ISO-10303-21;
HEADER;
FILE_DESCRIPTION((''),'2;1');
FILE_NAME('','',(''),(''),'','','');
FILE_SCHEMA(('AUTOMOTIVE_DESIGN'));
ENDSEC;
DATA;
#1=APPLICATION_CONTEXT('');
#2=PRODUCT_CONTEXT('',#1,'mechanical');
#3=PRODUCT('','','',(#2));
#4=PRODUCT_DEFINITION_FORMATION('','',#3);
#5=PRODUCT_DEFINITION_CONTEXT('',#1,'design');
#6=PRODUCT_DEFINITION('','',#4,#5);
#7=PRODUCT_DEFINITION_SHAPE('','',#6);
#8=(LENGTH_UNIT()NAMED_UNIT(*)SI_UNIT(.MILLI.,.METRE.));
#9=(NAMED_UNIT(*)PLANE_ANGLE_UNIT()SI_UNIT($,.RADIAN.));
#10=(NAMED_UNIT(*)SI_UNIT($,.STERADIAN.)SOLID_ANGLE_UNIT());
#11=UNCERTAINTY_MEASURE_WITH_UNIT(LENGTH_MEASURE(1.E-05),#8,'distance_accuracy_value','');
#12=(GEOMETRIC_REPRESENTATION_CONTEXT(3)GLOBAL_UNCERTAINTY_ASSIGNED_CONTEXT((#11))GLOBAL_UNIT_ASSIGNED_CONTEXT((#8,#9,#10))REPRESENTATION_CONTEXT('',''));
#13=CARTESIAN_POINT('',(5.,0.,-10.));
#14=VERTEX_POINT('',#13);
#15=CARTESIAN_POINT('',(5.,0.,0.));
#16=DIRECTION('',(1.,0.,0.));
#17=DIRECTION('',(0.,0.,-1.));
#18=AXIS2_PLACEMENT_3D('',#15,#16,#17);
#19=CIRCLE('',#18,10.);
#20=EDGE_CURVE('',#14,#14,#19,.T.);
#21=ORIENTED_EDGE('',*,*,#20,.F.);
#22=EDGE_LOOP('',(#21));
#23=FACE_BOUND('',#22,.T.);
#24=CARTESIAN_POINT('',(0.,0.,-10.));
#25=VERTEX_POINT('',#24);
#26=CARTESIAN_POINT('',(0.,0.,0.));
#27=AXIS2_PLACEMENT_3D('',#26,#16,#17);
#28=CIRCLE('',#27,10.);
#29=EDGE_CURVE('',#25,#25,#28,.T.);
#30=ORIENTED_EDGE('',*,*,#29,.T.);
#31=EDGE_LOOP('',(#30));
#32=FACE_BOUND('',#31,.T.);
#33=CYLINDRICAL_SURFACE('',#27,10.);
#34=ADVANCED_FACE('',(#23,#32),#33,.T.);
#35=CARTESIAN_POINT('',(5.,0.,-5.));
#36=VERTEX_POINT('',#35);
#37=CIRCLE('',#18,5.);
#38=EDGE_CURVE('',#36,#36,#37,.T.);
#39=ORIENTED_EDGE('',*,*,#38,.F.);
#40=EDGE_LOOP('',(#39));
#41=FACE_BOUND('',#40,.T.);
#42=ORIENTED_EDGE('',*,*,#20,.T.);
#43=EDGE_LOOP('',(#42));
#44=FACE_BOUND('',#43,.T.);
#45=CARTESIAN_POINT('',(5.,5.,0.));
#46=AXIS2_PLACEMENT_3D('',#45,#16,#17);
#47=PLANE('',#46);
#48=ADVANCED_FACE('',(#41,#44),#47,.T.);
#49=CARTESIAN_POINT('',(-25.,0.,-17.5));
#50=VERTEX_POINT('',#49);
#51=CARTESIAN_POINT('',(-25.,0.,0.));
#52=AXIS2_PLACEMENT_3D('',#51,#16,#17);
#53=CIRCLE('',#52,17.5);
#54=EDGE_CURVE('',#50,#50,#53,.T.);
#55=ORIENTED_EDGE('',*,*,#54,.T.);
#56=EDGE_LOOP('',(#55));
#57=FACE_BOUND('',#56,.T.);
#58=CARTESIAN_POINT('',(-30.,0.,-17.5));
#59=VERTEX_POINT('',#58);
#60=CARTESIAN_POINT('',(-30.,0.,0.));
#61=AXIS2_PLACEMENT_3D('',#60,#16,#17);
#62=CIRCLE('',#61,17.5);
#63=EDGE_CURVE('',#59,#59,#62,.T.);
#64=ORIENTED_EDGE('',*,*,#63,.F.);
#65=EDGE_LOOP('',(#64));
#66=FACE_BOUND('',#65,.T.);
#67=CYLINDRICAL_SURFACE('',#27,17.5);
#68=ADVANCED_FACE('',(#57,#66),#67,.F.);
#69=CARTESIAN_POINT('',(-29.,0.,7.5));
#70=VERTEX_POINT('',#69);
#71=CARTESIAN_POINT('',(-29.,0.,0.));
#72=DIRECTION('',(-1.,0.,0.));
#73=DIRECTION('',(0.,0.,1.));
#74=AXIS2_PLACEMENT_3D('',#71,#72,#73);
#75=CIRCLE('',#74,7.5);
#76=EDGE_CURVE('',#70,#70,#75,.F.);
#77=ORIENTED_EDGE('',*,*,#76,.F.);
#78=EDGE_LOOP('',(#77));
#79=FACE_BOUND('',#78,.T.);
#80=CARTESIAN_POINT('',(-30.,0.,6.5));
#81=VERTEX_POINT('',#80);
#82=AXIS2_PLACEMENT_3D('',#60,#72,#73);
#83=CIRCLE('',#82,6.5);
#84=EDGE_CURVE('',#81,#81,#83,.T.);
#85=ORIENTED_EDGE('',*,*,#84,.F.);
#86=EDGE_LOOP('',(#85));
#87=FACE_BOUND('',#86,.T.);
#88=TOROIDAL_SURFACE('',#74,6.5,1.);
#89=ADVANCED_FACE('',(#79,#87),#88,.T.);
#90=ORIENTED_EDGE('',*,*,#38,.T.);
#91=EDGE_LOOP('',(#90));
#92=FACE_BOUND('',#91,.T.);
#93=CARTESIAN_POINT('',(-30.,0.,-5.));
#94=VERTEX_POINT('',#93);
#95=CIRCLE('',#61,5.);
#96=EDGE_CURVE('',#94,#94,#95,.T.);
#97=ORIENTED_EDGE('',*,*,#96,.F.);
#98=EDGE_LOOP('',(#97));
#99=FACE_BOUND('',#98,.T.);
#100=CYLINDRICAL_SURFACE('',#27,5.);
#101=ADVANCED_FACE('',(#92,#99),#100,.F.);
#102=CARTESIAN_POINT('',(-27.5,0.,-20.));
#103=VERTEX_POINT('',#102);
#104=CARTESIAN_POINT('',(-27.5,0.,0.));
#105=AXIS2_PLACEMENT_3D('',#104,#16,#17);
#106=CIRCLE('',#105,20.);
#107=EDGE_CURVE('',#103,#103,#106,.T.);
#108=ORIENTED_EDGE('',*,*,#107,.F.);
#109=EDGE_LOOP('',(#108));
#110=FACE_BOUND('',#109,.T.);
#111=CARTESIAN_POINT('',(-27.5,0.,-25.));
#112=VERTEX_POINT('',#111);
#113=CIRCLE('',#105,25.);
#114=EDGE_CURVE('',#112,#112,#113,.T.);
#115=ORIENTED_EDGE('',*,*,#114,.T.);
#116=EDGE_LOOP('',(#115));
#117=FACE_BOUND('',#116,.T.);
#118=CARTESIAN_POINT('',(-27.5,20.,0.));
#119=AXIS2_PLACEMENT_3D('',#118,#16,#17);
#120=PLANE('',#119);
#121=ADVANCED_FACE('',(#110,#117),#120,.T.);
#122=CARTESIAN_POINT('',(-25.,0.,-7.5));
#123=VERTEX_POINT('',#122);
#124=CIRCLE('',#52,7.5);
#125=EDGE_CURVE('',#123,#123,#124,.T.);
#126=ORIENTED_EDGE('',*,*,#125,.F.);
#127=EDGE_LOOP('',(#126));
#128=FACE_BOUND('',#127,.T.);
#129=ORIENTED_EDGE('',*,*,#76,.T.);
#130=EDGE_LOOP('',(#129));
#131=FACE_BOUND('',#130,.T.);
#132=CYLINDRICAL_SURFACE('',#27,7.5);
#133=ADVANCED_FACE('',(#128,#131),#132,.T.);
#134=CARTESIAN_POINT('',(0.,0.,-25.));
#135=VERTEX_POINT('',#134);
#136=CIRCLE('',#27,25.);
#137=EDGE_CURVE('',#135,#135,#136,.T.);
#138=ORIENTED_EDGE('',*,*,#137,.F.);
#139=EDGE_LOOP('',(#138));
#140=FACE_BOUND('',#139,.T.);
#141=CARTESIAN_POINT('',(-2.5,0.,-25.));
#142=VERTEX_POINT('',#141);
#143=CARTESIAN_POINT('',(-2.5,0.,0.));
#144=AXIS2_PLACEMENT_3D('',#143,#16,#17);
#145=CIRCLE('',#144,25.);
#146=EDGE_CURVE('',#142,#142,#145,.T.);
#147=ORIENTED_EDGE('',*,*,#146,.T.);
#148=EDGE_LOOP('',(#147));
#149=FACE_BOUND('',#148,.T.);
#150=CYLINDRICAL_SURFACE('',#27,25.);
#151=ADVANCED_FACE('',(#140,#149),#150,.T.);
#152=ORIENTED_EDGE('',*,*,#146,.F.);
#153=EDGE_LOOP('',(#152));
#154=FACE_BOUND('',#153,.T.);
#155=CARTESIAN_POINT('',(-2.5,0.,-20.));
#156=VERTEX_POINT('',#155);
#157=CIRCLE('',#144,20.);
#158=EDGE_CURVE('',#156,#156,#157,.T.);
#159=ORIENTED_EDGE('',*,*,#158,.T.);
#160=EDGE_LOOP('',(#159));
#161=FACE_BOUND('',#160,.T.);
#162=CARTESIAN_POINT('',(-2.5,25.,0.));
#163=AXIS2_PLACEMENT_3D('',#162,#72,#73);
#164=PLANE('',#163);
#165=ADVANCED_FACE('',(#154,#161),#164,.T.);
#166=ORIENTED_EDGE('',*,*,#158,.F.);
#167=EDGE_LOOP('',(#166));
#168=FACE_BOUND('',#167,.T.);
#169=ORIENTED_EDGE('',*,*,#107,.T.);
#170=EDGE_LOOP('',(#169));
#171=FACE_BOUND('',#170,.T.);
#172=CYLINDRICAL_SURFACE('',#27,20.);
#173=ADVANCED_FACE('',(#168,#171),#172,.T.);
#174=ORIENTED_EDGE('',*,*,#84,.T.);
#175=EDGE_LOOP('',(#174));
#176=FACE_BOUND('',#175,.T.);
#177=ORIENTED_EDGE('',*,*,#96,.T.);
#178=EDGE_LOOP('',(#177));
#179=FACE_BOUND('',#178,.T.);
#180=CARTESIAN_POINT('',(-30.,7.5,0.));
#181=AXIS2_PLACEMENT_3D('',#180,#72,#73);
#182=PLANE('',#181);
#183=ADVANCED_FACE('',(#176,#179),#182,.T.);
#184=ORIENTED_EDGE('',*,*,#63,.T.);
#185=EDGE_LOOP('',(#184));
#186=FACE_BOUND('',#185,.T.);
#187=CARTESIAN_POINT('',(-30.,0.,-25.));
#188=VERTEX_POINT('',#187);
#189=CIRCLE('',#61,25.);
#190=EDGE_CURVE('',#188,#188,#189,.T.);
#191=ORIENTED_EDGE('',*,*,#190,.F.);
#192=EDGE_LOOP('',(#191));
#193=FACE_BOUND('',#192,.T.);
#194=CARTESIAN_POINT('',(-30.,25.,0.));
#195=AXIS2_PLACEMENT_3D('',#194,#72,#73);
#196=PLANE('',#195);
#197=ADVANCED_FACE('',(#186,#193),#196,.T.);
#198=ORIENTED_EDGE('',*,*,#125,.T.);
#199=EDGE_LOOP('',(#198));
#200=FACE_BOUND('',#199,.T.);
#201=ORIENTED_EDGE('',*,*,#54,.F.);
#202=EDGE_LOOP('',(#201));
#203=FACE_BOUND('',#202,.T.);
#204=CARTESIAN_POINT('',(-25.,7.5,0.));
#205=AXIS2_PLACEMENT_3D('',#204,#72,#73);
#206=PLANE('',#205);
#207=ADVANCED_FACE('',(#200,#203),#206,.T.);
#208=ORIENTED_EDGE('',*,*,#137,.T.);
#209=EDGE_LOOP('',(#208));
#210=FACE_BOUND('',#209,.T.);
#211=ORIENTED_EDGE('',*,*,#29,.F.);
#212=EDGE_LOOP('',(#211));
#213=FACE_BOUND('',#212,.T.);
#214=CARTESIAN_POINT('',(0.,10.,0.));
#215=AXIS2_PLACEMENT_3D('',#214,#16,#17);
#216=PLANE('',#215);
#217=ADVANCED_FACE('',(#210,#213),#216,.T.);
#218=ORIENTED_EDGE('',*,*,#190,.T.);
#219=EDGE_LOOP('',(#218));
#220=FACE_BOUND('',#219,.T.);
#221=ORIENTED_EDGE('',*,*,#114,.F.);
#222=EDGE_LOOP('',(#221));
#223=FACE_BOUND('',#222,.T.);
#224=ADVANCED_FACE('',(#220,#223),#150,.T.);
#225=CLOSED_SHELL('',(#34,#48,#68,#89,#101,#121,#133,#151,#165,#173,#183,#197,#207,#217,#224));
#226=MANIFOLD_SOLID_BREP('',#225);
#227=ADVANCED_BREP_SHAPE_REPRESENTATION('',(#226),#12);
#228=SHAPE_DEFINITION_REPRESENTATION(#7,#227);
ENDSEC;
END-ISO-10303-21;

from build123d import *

# Parameters (mm, degrees)
FILLET1_R = 1


with BuildPart() as part:
    # Sketch1 → Revolve1 (revolve)
    with BuildSketch(Plane.XY, mode=Mode.PRIVATE) as revolve1_sk:
        Polygon((0, 10), (0, 25), (-2.5, 25), (-2.5, 20), (-27.5, 20), (-27.5, 25), (-30, 25), (-30, 17.5), (-25, 17.5), (-25, 7.5), (-30, 7.5), (-30, 5), (5, 5), (5, 10), align=None)
    revolve(revolve1_sk.sketch.rotate(Axis((0, 0, 0), (-1, 0, 0)), 90), axis=Axis((0, 0, 0), (-1, 0, 0)))

    # Fillet1
    fillet1_edges = [part.edges().sort_by_distance(p)[0] for p in [
        (-30, 0, 7.5),
    ]]
    fillet(fillet1_edges, radius=FILLET1_R)


solid = part.part
